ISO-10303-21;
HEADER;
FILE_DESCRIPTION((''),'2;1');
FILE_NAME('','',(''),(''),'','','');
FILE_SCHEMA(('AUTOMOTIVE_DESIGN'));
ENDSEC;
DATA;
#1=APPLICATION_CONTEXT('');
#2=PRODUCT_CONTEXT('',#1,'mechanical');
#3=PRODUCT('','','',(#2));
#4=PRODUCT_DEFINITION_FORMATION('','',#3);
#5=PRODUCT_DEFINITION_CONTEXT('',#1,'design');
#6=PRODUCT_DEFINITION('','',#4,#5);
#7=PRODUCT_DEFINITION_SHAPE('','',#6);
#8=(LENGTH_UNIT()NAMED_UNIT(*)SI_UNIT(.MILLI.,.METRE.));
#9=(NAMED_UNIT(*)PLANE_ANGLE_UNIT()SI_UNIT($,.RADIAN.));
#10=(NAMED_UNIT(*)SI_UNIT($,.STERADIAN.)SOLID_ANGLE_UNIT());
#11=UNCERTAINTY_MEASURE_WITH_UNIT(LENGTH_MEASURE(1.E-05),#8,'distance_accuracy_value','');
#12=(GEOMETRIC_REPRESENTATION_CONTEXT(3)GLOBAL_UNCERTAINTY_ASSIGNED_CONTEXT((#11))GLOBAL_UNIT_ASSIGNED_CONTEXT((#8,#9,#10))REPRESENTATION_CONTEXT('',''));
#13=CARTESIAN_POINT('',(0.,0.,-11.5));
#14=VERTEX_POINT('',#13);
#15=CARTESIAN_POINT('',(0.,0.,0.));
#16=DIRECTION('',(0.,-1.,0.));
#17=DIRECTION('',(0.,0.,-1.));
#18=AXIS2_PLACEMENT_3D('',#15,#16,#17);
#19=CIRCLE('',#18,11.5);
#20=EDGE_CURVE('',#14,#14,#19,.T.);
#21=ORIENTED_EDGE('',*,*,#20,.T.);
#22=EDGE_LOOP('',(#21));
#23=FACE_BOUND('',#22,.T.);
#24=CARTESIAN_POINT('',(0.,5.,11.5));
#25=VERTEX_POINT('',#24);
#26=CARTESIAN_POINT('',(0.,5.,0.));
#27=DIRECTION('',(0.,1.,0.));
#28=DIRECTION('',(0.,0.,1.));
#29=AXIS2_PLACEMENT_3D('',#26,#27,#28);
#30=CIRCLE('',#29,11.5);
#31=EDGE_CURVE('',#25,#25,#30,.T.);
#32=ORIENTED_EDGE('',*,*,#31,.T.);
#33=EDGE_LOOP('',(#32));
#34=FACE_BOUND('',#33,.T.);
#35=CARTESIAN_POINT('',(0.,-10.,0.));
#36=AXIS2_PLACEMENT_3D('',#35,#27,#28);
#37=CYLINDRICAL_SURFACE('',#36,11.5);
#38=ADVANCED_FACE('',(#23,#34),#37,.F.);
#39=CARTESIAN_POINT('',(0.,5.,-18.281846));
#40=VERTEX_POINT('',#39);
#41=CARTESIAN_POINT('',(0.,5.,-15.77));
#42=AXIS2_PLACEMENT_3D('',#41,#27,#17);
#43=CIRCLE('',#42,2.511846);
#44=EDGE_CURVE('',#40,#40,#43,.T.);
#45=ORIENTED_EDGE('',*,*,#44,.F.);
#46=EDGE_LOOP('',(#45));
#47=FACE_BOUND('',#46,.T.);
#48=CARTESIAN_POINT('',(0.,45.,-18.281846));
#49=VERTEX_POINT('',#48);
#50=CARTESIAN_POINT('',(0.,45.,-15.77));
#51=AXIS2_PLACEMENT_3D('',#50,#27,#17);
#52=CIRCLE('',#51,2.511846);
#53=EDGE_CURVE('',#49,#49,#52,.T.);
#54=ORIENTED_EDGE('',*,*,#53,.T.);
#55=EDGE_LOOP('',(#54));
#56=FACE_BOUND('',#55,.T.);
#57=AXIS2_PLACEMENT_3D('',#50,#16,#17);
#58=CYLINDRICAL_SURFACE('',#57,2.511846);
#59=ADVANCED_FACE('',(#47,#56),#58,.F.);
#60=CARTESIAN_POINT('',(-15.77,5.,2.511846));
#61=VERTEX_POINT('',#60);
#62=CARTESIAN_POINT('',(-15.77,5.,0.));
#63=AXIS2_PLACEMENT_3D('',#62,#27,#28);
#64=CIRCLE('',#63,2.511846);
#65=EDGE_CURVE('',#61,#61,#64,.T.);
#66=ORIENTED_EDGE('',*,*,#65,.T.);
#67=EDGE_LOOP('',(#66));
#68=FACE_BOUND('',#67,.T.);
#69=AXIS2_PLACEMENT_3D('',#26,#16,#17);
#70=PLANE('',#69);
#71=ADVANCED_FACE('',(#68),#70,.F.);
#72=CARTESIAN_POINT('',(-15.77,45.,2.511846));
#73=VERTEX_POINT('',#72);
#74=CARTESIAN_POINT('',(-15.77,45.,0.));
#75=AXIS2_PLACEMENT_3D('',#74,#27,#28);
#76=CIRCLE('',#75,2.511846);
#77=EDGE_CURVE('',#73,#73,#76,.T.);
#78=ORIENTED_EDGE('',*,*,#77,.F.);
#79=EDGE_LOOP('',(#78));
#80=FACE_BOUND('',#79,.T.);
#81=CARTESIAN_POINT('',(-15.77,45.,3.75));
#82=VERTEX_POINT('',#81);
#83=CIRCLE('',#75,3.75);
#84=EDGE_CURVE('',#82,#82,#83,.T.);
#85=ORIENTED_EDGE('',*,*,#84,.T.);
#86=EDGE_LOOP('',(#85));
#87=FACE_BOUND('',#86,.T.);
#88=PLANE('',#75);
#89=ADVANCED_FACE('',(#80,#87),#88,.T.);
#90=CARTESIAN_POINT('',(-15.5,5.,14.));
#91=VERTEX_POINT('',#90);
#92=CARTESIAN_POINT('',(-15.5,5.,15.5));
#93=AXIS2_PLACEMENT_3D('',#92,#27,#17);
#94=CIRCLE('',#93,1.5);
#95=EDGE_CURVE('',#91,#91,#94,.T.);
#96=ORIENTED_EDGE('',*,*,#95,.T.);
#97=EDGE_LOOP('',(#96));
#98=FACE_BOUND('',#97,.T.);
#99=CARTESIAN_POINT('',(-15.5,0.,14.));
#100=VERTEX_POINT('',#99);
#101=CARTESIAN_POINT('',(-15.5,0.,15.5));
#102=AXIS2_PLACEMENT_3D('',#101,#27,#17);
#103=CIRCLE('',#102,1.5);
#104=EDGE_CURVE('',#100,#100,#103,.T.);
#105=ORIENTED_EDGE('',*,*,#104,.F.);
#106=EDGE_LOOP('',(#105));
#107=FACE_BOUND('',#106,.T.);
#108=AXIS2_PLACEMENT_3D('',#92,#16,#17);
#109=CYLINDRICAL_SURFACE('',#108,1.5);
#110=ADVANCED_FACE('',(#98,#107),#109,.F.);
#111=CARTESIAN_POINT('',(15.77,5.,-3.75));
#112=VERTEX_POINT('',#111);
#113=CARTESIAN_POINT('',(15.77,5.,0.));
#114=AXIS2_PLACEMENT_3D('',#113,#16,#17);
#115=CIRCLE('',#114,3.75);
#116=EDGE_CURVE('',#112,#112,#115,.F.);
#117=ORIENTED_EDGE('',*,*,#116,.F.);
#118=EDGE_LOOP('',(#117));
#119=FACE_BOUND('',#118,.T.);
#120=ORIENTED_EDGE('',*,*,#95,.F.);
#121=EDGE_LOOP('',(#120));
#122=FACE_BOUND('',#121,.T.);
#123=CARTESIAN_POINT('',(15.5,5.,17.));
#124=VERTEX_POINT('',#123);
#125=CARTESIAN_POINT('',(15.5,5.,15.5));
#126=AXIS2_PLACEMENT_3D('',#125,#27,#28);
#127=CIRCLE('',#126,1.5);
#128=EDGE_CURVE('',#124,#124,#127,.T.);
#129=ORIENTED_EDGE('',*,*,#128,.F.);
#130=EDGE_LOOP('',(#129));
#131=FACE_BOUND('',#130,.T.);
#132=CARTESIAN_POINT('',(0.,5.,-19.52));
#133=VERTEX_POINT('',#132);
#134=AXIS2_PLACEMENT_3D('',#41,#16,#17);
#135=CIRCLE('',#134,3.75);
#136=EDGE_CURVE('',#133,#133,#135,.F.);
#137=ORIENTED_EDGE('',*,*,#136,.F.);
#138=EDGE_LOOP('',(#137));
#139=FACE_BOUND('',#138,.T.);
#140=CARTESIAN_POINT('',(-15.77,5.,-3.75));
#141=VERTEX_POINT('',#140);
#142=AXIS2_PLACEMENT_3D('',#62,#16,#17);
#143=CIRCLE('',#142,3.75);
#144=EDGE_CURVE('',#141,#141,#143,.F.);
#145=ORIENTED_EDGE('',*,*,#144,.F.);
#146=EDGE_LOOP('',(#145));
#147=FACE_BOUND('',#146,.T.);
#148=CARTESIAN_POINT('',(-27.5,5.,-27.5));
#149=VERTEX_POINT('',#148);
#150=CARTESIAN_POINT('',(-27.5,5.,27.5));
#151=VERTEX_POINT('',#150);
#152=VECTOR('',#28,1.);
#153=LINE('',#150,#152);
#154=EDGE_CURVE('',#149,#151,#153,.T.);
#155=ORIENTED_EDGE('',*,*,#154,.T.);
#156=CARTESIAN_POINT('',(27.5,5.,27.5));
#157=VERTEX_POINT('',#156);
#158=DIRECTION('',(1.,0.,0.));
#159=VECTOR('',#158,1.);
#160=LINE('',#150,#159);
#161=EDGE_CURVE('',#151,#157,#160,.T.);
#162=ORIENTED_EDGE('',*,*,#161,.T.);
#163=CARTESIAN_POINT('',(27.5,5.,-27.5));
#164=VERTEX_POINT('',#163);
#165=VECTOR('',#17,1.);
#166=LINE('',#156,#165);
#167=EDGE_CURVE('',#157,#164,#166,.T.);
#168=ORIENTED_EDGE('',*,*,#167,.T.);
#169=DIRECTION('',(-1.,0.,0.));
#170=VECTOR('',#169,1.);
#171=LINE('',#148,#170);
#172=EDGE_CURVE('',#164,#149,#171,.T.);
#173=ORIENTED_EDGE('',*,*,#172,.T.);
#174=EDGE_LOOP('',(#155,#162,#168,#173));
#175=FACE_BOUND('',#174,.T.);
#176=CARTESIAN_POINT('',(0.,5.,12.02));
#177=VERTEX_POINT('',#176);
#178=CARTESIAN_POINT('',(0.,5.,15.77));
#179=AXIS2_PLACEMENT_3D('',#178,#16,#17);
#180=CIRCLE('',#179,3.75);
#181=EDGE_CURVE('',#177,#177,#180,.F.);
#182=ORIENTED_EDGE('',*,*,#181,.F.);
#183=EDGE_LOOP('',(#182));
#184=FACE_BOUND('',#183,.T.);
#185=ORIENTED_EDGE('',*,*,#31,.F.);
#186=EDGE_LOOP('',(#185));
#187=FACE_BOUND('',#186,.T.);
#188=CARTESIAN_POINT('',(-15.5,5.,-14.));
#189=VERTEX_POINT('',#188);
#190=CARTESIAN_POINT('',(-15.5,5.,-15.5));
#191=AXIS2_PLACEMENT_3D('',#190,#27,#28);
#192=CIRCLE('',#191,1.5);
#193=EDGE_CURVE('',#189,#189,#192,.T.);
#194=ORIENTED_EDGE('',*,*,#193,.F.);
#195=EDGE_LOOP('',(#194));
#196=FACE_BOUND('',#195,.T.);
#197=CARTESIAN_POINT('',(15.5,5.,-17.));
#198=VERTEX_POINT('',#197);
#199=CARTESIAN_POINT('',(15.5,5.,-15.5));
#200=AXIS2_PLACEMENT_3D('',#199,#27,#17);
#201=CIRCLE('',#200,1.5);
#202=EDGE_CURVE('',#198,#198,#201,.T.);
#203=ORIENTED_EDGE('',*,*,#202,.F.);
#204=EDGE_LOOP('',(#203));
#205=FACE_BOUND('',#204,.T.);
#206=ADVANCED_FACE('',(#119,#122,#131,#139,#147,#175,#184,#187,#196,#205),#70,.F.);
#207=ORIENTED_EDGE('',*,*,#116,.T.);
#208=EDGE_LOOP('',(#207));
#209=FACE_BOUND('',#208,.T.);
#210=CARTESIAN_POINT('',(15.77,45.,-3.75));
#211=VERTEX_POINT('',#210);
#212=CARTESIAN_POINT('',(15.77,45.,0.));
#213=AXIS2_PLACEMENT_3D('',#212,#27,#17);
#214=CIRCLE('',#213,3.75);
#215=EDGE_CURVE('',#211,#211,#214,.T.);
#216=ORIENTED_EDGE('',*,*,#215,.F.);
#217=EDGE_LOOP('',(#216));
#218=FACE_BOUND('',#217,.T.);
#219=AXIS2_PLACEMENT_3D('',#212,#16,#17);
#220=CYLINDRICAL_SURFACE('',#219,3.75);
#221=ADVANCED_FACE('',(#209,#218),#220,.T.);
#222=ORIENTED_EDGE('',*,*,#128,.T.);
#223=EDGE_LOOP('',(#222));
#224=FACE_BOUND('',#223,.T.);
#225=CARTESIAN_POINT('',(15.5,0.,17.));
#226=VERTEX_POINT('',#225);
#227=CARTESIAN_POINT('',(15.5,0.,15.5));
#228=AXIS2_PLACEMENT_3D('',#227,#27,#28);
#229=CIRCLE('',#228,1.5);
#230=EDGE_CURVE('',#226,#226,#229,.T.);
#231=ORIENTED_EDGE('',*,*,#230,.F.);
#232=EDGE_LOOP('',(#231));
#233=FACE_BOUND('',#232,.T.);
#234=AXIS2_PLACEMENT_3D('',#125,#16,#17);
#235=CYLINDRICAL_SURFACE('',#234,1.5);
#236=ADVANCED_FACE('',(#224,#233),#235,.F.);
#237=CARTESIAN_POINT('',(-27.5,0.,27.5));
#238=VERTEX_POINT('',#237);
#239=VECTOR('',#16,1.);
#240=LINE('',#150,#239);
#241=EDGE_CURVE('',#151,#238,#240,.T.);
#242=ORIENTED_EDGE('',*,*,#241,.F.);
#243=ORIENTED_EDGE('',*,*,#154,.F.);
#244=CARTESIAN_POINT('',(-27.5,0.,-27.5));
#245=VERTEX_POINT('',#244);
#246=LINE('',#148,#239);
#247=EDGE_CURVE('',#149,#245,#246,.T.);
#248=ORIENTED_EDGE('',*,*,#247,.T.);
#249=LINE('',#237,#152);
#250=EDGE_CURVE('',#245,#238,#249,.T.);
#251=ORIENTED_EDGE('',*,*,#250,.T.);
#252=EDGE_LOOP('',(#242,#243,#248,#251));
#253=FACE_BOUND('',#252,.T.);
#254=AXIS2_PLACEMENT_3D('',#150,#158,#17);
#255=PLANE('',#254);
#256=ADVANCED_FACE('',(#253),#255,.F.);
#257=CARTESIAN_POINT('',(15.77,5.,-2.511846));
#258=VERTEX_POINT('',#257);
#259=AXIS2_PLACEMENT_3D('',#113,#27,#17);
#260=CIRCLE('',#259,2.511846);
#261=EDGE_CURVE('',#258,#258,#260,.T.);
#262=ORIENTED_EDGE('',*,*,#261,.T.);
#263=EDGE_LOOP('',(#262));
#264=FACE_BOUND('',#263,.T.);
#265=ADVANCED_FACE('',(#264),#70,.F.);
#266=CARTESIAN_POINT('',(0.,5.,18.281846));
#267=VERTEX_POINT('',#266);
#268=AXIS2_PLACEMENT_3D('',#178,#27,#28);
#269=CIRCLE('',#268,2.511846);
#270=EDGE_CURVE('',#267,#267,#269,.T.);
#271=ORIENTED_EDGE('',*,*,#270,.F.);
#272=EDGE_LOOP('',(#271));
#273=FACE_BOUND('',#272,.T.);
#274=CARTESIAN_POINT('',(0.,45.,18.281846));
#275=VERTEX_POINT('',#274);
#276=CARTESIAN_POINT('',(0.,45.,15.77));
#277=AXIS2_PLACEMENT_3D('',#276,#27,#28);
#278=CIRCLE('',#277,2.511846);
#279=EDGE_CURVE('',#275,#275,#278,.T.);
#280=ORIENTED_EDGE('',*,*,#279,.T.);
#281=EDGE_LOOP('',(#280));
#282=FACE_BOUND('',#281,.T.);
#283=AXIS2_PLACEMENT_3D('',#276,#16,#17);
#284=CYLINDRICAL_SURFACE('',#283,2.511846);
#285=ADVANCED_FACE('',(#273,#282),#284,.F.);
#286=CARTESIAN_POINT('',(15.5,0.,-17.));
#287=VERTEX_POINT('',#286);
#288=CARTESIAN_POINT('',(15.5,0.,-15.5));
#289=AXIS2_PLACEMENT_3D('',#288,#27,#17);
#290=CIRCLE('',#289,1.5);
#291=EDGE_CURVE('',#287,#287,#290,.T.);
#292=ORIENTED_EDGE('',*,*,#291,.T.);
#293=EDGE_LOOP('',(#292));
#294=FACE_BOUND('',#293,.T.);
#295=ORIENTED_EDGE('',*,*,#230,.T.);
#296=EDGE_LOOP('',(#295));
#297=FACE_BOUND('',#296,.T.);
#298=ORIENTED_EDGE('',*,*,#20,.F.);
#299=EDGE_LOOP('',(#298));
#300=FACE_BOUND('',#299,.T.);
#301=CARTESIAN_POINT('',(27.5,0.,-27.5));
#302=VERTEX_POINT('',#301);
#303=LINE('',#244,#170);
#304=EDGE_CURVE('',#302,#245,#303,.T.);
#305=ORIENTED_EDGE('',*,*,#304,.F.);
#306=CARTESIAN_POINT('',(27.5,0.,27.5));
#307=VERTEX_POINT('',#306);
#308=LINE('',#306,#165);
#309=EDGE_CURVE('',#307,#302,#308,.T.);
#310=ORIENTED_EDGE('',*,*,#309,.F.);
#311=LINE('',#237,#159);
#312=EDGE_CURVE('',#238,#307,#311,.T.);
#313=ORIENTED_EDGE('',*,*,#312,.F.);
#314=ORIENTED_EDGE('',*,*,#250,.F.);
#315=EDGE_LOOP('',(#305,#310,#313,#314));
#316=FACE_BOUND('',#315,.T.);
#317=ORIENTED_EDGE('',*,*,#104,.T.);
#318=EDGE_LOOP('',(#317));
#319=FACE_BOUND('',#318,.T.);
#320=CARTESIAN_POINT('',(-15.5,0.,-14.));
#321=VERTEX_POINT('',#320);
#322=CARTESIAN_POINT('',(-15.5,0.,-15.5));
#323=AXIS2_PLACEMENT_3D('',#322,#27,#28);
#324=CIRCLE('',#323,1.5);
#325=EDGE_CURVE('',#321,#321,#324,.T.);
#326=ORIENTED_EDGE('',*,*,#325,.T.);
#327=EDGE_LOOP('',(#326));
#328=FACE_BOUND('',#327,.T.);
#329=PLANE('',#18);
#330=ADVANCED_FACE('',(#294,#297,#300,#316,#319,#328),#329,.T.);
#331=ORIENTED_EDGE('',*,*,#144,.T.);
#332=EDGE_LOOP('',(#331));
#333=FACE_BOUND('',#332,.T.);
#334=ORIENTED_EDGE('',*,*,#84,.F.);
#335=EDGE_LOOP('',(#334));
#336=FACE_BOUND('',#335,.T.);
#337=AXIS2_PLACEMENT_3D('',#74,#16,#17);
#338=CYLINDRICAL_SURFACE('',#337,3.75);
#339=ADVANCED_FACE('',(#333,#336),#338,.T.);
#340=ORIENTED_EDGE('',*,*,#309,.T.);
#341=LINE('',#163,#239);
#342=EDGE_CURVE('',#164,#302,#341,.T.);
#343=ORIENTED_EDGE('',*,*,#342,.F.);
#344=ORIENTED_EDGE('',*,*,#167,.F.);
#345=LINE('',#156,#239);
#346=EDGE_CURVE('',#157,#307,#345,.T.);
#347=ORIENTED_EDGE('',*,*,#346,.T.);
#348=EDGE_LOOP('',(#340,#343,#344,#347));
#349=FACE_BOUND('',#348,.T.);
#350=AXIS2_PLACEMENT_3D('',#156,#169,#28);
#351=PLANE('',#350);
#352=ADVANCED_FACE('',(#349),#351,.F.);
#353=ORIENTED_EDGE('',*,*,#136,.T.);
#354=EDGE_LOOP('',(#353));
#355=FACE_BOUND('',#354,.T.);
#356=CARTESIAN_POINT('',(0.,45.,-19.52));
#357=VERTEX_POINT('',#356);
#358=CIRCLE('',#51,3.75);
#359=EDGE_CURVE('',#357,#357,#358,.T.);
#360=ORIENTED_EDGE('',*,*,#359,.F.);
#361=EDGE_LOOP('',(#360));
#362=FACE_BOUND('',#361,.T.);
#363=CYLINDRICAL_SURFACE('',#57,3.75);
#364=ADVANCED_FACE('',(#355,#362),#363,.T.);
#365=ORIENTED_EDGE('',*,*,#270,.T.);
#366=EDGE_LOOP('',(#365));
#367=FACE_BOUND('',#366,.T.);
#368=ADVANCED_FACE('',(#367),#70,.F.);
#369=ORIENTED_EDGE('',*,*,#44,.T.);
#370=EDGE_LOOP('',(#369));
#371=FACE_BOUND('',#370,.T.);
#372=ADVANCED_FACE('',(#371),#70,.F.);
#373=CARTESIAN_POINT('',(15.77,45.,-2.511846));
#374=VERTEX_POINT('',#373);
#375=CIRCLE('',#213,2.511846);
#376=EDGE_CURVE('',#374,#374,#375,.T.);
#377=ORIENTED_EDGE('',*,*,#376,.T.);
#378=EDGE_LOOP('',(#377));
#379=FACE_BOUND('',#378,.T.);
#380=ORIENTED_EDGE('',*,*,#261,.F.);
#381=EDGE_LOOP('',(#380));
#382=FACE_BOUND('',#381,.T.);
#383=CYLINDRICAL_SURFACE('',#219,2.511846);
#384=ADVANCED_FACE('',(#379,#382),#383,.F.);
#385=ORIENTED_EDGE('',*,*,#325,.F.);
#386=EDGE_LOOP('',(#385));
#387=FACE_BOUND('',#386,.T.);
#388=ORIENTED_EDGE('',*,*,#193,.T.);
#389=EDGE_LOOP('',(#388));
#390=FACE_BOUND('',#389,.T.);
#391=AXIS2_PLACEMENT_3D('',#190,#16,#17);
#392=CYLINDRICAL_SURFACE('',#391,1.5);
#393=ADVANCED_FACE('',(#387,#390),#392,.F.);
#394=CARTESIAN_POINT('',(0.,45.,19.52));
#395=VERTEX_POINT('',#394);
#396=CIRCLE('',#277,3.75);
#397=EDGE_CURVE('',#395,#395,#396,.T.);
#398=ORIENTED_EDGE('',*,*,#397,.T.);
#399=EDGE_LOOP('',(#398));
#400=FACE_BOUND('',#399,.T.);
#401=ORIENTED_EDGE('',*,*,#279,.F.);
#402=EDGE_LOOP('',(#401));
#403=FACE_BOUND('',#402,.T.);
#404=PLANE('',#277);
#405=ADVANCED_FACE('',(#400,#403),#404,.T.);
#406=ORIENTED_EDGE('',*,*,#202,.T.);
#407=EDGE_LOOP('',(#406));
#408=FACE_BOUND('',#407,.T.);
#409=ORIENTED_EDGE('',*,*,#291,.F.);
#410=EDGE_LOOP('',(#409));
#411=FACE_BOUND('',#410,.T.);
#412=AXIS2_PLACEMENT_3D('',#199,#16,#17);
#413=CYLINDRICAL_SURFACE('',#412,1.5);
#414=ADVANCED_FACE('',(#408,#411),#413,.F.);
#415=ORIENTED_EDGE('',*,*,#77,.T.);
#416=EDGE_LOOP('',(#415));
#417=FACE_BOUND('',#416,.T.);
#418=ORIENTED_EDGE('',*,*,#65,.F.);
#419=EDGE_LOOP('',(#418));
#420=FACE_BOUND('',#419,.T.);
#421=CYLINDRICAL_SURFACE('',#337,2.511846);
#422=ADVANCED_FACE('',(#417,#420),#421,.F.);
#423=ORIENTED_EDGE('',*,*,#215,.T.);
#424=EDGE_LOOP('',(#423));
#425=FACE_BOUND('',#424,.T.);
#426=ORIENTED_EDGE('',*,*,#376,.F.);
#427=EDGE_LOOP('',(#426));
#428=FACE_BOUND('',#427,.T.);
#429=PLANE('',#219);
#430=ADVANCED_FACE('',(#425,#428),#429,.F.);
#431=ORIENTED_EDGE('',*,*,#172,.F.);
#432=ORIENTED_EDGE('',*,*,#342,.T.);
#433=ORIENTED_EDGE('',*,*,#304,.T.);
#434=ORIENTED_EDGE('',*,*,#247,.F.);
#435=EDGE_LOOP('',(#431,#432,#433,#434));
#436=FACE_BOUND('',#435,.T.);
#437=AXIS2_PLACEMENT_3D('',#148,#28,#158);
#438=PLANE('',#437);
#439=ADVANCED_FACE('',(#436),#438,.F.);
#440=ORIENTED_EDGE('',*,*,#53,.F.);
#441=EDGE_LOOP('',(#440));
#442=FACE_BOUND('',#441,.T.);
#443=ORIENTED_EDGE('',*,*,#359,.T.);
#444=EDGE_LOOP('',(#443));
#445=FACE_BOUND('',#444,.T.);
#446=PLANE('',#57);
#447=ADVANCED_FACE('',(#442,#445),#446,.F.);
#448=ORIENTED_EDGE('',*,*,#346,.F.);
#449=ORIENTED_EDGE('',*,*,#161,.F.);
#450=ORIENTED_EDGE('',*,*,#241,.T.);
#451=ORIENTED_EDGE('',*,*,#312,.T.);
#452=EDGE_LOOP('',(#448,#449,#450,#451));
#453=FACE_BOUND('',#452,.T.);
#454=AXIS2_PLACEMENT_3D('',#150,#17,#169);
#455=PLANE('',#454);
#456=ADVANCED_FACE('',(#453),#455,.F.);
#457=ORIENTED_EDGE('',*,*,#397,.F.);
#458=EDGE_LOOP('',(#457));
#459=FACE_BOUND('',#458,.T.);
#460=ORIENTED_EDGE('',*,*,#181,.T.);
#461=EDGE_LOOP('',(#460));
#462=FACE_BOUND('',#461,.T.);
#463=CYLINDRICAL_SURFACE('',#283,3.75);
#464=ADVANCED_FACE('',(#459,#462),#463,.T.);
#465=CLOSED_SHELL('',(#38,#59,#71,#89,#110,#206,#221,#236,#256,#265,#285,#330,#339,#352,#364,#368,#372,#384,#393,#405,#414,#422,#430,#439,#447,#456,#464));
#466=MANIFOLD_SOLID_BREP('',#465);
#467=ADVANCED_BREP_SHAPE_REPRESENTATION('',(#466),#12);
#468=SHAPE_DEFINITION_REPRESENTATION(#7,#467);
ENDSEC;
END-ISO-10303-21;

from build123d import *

# Parameters (mm, degrees)
SKETCH1_W           = 55
SKETCH1_H           = 55
SKETCH1_R           = 1.5
BOSS_EXTRUDE1_DEPTH = 5
SKETCH2_R           = 3.75
SKETCH2_R_2         = 2.51184584
BOSS_EXTRUDE2_DEPTH = 40
SKETCH3_R           = 11.5
CUT_EXTRUDE1_DEPTH  = 15


with BuildPart() as part:
    # Sketch1 → Boss-Extrude1 (new body)
    with BuildSketch(Plane(origin=(0, 0, 0), x_dir=(1, 0, 0), z_dir=(0, 1, 0))):
        Rectangle(SKETCH1_W, SKETCH1_H)
        with Locations(Location((-15.5, 15.5, 0), (0, 0, 270))):
            Circle(SKETCH1_R, mode=Mode.SUBTRACT)
        with Locations(Location((-15.5, -15.5, 0), (0, 0, 90))):
            Circle(SKETCH1_R, mode=Mode.SUBTRACT)
        with Locations(Location((15.5, -15.5, 0), (0, 0, 270))):
            Circle(SKETCH1_R, mode=Mode.SUBTRACT)
        with Locations(Location((15.5, 15.5, 0), (0, 0, 90))):
            Circle(SKETCH1_R, mode=Mode.SUBTRACT)
    extrude(amount=BOSS_EXTRUDE1_DEPTH)

    # Sketch2 → Boss-Extrude2 (add)
    # profile 1 of 4: a face of its own
    with BuildSketch(Plane(origin=(0, 5, 0), x_dir=(1, 0, 0), z_dir=(0, 1, 0))):
        with Locations(Location((-15.77, 0, 0), (0, 0, 90))):
            Circle(SKETCH2_R)
        with Locations(Location((-15.77, 0, 0), (0, 0, 270))):
            Circle(SKETCH2_R_2, mode=Mode.SUBTRACT)
    # profile 2 of 4: a face of its own
    with BuildSketch(Plane(origin=(0, 5, 0), x_dir=(1, 0, 0), z_dir=(0, 1, 0))):
        with Locations(Location((15.77, 0, 0), (0, 0, 90))):
            Circle(SKETCH2_R)
        with Locations(Location((15.77, 0, 0), (0, 0, 90))):
            Circle(SKETCH2_R_2, mode=Mode.SUBTRACT)
    # profile 3 of 4: a face of its own
    with BuildSketch(Plane(origin=(0, 5, 0), x_dir=(1, 0, 0), z_dir=(0, 1, 0))):
        with Locations(Location((0, -15.77, 0), (0, 0, 90))):
            Circle(SKETCH2_R)
        with Locations(Location((0, -15.77, 0), (0, 0, 270))):
            Circle(SKETCH2_R_2, mode=Mode.SUBTRACT)
    # profile 4 of 4: a face of its own
    with BuildSketch(Plane(origin=(0, 5, 0), x_dir=(1, 0, 0), z_dir=(0, 1, 0))):
        with Locations(Location((0, 15.77, 0), (0, 0, 90))):
            Circle(SKETCH2_R)
        with Locations(Location((0, 15.77, 0), (0, 0, 90))):
            Circle(SKETCH2_R_2, mode=Mode.SUBTRACT)
    extrude(amount=BOSS_EXTRUDE2_DEPTH)

    # Sketch3 → Cut-Extrude1 (cut)
    with BuildSketch(Plane(origin=(0, 5, 0), x_dir=(1, 0, 0), z_dir=(0, 1, 0))):
        with Locations(Location((0, 0, 0), (0, 0, 270))):
            Circle(SKETCH3_R)
    extrude(amount=-CUT_EXTRUDE1_DEPTH, mode=Mode.SUBTRACT)


solid = part.part
